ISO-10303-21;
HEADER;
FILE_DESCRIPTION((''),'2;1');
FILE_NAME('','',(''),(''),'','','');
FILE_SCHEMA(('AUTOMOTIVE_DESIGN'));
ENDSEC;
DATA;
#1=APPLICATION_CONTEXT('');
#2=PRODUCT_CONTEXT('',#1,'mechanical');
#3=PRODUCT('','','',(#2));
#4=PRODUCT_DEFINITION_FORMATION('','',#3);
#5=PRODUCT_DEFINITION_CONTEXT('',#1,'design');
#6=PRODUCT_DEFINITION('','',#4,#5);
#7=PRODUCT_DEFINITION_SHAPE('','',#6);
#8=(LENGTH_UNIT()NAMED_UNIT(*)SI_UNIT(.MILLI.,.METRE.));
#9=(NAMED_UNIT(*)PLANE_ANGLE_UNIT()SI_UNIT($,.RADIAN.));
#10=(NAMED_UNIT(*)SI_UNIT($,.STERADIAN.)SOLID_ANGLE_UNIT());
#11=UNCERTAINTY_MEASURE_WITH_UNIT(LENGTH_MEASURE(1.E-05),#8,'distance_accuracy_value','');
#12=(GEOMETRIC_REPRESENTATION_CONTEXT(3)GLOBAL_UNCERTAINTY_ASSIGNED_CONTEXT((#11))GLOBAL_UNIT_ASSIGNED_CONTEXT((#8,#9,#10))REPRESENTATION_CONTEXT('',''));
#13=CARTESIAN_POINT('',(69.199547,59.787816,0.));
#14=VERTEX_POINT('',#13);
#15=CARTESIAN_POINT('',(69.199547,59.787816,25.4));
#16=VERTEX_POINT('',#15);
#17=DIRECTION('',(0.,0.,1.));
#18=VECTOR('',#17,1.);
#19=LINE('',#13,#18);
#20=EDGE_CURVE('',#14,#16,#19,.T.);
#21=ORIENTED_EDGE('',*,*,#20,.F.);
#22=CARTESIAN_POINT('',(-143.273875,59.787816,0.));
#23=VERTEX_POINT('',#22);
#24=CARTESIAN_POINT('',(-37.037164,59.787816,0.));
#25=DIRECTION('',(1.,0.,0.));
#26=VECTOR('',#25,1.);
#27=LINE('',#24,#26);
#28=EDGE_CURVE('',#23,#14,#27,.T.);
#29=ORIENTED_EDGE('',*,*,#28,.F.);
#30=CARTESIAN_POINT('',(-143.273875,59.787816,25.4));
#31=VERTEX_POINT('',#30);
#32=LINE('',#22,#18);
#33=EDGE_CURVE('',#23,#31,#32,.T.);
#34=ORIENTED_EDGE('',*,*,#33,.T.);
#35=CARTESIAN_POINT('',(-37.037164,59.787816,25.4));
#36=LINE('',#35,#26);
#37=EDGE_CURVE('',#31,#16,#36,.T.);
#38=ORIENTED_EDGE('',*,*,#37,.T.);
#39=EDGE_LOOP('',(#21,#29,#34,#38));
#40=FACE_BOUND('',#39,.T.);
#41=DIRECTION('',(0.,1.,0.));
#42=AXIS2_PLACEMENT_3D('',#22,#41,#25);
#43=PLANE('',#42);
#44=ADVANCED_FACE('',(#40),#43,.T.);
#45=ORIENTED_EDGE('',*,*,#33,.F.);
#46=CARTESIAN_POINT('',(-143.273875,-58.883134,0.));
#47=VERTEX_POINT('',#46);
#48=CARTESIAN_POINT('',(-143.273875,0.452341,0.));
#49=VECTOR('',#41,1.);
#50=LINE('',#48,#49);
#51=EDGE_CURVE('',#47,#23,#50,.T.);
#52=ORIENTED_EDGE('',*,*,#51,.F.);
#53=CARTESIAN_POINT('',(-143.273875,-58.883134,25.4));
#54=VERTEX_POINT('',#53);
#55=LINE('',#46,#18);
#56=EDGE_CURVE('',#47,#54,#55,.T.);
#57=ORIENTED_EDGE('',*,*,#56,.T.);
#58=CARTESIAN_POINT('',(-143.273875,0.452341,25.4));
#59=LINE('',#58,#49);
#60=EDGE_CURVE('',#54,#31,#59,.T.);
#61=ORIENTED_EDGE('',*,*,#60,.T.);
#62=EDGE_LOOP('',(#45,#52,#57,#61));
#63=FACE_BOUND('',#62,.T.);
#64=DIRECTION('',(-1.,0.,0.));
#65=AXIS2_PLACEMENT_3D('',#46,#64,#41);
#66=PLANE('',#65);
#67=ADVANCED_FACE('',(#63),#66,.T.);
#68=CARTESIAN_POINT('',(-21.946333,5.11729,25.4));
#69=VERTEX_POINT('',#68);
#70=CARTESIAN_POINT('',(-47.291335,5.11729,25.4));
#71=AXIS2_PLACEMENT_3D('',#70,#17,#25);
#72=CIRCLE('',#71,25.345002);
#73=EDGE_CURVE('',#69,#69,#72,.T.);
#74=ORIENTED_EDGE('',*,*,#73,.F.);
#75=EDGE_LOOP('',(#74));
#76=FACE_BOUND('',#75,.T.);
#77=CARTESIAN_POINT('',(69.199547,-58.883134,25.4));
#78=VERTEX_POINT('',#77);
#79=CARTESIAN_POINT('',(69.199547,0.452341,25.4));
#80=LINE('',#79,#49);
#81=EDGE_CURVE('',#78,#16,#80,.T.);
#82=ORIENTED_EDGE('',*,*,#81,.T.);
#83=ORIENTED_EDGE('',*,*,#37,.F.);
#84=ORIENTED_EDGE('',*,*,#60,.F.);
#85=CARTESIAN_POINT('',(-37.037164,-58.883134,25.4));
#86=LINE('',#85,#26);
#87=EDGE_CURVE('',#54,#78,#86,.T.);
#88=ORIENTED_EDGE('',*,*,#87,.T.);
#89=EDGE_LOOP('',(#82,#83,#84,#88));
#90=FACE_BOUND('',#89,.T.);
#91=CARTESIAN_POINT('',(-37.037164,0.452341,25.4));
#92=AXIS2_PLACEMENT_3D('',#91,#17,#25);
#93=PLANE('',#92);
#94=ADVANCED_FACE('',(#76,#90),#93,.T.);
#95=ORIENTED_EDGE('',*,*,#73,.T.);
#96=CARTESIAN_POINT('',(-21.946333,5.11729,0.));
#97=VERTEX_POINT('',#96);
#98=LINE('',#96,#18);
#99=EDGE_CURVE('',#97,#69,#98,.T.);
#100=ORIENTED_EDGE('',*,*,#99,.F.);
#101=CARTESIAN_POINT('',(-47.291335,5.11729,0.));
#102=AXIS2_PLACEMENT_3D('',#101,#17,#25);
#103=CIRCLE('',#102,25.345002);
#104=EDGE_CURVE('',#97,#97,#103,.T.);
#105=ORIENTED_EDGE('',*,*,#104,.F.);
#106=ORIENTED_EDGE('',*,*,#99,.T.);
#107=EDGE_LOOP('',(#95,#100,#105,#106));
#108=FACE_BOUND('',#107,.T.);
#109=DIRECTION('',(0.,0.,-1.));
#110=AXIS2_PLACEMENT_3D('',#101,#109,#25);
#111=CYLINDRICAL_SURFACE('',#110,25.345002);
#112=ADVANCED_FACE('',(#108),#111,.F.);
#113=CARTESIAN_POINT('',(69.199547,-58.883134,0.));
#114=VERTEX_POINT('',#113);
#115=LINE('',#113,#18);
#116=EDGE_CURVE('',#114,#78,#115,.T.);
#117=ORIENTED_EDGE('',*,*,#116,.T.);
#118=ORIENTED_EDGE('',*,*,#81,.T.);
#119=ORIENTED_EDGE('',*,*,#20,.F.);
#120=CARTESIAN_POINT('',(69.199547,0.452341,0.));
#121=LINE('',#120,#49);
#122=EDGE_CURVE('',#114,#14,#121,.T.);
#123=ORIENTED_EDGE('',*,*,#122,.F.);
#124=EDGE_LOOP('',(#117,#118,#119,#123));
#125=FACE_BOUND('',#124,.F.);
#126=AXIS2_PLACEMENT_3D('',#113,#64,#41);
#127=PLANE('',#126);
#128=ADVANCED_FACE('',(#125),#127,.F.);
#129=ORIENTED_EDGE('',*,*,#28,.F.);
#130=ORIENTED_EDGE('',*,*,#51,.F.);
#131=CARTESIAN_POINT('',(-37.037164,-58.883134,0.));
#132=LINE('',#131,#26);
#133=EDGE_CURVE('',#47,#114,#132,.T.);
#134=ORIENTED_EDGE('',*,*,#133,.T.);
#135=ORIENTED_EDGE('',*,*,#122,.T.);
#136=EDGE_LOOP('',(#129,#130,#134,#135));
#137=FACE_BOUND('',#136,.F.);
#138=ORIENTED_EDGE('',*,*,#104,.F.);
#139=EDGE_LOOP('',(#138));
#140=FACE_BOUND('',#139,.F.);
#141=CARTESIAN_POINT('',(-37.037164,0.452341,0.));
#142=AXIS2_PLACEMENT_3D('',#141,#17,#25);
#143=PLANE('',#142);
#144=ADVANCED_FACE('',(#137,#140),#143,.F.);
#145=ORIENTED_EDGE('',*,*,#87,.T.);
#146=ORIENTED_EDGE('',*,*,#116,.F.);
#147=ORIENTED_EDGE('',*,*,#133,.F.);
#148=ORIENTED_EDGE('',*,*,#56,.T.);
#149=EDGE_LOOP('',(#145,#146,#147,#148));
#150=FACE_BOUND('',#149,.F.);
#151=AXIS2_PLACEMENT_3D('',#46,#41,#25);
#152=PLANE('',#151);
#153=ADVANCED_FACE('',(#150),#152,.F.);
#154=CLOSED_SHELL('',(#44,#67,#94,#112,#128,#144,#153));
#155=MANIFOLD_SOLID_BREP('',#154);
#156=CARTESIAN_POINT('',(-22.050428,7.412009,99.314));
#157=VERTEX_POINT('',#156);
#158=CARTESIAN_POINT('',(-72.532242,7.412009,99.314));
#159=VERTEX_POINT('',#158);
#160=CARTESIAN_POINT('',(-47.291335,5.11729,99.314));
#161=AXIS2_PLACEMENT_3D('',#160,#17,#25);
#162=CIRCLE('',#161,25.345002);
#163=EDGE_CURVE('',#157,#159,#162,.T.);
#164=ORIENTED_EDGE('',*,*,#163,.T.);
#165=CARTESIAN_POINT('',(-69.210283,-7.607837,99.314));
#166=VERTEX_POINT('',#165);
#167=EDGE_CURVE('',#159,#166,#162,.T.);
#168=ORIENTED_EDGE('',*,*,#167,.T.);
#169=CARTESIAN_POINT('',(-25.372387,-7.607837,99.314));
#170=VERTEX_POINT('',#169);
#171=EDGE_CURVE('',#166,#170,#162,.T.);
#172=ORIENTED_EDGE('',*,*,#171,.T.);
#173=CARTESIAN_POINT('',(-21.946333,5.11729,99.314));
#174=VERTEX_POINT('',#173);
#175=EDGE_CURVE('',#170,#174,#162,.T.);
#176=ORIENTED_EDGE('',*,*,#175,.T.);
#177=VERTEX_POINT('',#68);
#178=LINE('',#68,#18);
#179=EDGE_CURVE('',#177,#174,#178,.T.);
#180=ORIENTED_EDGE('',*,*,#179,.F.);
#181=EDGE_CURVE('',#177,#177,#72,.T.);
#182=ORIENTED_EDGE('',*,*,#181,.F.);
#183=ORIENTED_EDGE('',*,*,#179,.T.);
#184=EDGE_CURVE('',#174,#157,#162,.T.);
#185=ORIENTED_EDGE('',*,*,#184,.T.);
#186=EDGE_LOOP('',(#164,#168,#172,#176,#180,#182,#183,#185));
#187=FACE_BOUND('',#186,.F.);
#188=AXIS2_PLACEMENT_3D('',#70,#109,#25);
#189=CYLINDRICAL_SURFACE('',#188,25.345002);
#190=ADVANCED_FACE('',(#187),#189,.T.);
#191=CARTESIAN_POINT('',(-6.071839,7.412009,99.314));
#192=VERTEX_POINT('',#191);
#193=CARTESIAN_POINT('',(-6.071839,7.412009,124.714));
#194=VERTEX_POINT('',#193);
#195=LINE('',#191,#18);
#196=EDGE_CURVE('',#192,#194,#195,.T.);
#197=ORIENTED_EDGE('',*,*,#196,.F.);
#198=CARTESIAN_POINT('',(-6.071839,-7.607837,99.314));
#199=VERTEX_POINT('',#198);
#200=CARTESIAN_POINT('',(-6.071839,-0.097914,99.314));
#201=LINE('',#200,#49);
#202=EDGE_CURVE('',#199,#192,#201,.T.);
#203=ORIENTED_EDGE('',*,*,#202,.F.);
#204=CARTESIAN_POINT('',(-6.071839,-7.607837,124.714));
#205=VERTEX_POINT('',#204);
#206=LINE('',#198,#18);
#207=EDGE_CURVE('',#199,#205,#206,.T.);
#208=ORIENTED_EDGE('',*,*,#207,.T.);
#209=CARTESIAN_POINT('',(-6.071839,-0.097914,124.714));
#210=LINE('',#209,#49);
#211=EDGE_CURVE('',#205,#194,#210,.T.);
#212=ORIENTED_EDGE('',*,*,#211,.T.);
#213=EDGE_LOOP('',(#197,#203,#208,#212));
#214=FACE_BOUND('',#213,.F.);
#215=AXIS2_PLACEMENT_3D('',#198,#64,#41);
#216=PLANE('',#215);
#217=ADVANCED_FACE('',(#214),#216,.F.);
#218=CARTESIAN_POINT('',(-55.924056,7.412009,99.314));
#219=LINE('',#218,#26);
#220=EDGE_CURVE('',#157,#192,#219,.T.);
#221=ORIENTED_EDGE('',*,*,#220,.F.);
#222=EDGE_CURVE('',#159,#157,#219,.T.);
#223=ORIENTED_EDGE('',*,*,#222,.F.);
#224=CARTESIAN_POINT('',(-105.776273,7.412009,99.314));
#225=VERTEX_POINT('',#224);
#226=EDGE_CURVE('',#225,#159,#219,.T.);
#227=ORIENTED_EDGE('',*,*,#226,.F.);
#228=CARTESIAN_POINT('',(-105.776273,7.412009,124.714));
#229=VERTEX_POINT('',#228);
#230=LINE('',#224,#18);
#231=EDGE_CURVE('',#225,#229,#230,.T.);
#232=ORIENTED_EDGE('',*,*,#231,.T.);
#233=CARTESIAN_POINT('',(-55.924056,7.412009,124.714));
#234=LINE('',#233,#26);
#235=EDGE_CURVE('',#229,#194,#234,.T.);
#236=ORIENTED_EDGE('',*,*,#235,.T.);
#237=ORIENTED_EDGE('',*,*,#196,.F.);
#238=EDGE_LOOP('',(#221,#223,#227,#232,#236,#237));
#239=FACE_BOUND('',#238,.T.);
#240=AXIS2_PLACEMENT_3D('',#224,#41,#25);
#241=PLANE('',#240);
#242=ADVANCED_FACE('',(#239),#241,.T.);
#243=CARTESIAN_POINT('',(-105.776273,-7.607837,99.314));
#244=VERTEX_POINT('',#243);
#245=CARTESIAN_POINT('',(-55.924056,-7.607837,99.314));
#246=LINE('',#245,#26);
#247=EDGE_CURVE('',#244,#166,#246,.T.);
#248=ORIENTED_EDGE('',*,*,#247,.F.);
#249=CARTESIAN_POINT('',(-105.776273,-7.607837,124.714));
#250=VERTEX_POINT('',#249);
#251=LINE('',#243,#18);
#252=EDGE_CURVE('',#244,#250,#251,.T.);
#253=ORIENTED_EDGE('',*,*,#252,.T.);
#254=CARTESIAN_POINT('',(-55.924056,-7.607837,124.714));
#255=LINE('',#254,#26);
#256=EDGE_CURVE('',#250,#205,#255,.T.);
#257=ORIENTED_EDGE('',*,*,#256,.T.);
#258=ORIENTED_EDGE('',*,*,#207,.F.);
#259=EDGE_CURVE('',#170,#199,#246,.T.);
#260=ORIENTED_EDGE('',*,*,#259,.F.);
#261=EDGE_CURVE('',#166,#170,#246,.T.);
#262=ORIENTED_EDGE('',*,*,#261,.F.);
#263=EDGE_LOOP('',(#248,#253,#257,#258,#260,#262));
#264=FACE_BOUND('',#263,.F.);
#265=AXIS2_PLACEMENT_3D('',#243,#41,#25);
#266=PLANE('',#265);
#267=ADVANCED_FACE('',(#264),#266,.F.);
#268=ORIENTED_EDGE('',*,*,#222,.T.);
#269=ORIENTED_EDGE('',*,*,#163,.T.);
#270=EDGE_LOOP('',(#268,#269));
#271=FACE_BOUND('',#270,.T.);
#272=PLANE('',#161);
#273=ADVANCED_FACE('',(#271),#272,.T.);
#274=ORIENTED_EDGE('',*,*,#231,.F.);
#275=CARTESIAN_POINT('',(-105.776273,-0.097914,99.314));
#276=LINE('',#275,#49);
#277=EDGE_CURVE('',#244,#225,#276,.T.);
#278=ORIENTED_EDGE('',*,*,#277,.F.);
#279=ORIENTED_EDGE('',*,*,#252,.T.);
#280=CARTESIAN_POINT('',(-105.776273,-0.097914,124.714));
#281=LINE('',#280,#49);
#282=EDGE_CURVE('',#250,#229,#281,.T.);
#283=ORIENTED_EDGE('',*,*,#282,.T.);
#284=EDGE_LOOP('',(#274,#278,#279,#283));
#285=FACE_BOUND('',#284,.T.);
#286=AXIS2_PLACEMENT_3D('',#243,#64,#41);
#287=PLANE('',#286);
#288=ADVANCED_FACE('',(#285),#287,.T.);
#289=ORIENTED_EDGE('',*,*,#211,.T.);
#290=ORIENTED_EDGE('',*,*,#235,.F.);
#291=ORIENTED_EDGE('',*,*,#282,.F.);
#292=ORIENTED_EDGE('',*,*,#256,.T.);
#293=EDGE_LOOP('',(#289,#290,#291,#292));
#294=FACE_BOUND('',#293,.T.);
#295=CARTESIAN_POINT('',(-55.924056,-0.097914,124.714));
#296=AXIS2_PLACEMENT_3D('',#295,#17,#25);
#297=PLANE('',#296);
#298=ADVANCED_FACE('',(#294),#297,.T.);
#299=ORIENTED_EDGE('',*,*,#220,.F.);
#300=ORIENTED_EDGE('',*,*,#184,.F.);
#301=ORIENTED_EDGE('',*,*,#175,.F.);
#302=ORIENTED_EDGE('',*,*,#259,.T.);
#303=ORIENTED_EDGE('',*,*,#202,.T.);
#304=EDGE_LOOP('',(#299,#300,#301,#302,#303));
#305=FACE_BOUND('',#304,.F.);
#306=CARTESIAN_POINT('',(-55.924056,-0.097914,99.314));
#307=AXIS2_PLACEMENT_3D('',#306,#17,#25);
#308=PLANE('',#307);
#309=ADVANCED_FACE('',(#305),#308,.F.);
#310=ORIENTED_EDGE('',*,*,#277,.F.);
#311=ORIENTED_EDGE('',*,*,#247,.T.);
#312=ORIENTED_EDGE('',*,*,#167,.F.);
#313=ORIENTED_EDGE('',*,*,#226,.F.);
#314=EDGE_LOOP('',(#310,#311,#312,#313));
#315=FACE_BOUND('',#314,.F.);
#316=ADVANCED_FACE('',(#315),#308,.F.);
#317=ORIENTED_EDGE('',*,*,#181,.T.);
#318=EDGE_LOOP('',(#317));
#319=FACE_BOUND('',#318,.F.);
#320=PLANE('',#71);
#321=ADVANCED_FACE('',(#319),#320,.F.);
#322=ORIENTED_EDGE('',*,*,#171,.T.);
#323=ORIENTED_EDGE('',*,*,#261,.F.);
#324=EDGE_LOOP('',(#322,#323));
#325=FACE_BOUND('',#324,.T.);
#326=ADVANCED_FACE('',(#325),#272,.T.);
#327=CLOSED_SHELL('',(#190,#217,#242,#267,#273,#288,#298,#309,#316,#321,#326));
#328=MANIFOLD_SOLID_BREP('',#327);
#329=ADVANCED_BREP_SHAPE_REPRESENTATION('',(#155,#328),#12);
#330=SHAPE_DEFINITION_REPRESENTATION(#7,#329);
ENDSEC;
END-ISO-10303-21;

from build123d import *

# Parameters (mm, degrees)
F0_W     = 212.473422
F0_H     = 118.670951
F0_R     = 25.345002
F1_DEPTH = 25.4
F2_R     = 25.345002
F3_DEPTH = 73.914
F4_W     = 99.704434
F4_H     = 15.019846
F5_DEPTH = 25.4


with BuildPart() as f1:
    # F0 (on Top) → F1 (new body)
    with BuildSketch(Plane.XY):
        with Locations((-37.037164, 0.452341)):
            Rectangle(F0_W, F0_H)
        with Locations((-47.291335, 5.11729)):
            Circle(F0_R, mode=Mode.SUBTRACT)
    extrude(amount=F1_DEPTH)


with BuildPart() as f3:
    # F2 (on face) → F3 (new body)
    with BuildSketch(Plane.XY.offset(25.4)):
        with Locations((-47.291335, 5.11729)):
            Circle(F2_R)
    extrude(amount=F3_DEPTH)

    # F4 (on face) → F5 (join)
    with BuildSketch(Plane.XY.offset(99.314)):
        with Locations((-55.924056, -0.097914)):
            Rectangle(F4_W, F4_H)
    extrude(amount=F5_DEPTH)


solid = Compound([f1.part, f3.part])
